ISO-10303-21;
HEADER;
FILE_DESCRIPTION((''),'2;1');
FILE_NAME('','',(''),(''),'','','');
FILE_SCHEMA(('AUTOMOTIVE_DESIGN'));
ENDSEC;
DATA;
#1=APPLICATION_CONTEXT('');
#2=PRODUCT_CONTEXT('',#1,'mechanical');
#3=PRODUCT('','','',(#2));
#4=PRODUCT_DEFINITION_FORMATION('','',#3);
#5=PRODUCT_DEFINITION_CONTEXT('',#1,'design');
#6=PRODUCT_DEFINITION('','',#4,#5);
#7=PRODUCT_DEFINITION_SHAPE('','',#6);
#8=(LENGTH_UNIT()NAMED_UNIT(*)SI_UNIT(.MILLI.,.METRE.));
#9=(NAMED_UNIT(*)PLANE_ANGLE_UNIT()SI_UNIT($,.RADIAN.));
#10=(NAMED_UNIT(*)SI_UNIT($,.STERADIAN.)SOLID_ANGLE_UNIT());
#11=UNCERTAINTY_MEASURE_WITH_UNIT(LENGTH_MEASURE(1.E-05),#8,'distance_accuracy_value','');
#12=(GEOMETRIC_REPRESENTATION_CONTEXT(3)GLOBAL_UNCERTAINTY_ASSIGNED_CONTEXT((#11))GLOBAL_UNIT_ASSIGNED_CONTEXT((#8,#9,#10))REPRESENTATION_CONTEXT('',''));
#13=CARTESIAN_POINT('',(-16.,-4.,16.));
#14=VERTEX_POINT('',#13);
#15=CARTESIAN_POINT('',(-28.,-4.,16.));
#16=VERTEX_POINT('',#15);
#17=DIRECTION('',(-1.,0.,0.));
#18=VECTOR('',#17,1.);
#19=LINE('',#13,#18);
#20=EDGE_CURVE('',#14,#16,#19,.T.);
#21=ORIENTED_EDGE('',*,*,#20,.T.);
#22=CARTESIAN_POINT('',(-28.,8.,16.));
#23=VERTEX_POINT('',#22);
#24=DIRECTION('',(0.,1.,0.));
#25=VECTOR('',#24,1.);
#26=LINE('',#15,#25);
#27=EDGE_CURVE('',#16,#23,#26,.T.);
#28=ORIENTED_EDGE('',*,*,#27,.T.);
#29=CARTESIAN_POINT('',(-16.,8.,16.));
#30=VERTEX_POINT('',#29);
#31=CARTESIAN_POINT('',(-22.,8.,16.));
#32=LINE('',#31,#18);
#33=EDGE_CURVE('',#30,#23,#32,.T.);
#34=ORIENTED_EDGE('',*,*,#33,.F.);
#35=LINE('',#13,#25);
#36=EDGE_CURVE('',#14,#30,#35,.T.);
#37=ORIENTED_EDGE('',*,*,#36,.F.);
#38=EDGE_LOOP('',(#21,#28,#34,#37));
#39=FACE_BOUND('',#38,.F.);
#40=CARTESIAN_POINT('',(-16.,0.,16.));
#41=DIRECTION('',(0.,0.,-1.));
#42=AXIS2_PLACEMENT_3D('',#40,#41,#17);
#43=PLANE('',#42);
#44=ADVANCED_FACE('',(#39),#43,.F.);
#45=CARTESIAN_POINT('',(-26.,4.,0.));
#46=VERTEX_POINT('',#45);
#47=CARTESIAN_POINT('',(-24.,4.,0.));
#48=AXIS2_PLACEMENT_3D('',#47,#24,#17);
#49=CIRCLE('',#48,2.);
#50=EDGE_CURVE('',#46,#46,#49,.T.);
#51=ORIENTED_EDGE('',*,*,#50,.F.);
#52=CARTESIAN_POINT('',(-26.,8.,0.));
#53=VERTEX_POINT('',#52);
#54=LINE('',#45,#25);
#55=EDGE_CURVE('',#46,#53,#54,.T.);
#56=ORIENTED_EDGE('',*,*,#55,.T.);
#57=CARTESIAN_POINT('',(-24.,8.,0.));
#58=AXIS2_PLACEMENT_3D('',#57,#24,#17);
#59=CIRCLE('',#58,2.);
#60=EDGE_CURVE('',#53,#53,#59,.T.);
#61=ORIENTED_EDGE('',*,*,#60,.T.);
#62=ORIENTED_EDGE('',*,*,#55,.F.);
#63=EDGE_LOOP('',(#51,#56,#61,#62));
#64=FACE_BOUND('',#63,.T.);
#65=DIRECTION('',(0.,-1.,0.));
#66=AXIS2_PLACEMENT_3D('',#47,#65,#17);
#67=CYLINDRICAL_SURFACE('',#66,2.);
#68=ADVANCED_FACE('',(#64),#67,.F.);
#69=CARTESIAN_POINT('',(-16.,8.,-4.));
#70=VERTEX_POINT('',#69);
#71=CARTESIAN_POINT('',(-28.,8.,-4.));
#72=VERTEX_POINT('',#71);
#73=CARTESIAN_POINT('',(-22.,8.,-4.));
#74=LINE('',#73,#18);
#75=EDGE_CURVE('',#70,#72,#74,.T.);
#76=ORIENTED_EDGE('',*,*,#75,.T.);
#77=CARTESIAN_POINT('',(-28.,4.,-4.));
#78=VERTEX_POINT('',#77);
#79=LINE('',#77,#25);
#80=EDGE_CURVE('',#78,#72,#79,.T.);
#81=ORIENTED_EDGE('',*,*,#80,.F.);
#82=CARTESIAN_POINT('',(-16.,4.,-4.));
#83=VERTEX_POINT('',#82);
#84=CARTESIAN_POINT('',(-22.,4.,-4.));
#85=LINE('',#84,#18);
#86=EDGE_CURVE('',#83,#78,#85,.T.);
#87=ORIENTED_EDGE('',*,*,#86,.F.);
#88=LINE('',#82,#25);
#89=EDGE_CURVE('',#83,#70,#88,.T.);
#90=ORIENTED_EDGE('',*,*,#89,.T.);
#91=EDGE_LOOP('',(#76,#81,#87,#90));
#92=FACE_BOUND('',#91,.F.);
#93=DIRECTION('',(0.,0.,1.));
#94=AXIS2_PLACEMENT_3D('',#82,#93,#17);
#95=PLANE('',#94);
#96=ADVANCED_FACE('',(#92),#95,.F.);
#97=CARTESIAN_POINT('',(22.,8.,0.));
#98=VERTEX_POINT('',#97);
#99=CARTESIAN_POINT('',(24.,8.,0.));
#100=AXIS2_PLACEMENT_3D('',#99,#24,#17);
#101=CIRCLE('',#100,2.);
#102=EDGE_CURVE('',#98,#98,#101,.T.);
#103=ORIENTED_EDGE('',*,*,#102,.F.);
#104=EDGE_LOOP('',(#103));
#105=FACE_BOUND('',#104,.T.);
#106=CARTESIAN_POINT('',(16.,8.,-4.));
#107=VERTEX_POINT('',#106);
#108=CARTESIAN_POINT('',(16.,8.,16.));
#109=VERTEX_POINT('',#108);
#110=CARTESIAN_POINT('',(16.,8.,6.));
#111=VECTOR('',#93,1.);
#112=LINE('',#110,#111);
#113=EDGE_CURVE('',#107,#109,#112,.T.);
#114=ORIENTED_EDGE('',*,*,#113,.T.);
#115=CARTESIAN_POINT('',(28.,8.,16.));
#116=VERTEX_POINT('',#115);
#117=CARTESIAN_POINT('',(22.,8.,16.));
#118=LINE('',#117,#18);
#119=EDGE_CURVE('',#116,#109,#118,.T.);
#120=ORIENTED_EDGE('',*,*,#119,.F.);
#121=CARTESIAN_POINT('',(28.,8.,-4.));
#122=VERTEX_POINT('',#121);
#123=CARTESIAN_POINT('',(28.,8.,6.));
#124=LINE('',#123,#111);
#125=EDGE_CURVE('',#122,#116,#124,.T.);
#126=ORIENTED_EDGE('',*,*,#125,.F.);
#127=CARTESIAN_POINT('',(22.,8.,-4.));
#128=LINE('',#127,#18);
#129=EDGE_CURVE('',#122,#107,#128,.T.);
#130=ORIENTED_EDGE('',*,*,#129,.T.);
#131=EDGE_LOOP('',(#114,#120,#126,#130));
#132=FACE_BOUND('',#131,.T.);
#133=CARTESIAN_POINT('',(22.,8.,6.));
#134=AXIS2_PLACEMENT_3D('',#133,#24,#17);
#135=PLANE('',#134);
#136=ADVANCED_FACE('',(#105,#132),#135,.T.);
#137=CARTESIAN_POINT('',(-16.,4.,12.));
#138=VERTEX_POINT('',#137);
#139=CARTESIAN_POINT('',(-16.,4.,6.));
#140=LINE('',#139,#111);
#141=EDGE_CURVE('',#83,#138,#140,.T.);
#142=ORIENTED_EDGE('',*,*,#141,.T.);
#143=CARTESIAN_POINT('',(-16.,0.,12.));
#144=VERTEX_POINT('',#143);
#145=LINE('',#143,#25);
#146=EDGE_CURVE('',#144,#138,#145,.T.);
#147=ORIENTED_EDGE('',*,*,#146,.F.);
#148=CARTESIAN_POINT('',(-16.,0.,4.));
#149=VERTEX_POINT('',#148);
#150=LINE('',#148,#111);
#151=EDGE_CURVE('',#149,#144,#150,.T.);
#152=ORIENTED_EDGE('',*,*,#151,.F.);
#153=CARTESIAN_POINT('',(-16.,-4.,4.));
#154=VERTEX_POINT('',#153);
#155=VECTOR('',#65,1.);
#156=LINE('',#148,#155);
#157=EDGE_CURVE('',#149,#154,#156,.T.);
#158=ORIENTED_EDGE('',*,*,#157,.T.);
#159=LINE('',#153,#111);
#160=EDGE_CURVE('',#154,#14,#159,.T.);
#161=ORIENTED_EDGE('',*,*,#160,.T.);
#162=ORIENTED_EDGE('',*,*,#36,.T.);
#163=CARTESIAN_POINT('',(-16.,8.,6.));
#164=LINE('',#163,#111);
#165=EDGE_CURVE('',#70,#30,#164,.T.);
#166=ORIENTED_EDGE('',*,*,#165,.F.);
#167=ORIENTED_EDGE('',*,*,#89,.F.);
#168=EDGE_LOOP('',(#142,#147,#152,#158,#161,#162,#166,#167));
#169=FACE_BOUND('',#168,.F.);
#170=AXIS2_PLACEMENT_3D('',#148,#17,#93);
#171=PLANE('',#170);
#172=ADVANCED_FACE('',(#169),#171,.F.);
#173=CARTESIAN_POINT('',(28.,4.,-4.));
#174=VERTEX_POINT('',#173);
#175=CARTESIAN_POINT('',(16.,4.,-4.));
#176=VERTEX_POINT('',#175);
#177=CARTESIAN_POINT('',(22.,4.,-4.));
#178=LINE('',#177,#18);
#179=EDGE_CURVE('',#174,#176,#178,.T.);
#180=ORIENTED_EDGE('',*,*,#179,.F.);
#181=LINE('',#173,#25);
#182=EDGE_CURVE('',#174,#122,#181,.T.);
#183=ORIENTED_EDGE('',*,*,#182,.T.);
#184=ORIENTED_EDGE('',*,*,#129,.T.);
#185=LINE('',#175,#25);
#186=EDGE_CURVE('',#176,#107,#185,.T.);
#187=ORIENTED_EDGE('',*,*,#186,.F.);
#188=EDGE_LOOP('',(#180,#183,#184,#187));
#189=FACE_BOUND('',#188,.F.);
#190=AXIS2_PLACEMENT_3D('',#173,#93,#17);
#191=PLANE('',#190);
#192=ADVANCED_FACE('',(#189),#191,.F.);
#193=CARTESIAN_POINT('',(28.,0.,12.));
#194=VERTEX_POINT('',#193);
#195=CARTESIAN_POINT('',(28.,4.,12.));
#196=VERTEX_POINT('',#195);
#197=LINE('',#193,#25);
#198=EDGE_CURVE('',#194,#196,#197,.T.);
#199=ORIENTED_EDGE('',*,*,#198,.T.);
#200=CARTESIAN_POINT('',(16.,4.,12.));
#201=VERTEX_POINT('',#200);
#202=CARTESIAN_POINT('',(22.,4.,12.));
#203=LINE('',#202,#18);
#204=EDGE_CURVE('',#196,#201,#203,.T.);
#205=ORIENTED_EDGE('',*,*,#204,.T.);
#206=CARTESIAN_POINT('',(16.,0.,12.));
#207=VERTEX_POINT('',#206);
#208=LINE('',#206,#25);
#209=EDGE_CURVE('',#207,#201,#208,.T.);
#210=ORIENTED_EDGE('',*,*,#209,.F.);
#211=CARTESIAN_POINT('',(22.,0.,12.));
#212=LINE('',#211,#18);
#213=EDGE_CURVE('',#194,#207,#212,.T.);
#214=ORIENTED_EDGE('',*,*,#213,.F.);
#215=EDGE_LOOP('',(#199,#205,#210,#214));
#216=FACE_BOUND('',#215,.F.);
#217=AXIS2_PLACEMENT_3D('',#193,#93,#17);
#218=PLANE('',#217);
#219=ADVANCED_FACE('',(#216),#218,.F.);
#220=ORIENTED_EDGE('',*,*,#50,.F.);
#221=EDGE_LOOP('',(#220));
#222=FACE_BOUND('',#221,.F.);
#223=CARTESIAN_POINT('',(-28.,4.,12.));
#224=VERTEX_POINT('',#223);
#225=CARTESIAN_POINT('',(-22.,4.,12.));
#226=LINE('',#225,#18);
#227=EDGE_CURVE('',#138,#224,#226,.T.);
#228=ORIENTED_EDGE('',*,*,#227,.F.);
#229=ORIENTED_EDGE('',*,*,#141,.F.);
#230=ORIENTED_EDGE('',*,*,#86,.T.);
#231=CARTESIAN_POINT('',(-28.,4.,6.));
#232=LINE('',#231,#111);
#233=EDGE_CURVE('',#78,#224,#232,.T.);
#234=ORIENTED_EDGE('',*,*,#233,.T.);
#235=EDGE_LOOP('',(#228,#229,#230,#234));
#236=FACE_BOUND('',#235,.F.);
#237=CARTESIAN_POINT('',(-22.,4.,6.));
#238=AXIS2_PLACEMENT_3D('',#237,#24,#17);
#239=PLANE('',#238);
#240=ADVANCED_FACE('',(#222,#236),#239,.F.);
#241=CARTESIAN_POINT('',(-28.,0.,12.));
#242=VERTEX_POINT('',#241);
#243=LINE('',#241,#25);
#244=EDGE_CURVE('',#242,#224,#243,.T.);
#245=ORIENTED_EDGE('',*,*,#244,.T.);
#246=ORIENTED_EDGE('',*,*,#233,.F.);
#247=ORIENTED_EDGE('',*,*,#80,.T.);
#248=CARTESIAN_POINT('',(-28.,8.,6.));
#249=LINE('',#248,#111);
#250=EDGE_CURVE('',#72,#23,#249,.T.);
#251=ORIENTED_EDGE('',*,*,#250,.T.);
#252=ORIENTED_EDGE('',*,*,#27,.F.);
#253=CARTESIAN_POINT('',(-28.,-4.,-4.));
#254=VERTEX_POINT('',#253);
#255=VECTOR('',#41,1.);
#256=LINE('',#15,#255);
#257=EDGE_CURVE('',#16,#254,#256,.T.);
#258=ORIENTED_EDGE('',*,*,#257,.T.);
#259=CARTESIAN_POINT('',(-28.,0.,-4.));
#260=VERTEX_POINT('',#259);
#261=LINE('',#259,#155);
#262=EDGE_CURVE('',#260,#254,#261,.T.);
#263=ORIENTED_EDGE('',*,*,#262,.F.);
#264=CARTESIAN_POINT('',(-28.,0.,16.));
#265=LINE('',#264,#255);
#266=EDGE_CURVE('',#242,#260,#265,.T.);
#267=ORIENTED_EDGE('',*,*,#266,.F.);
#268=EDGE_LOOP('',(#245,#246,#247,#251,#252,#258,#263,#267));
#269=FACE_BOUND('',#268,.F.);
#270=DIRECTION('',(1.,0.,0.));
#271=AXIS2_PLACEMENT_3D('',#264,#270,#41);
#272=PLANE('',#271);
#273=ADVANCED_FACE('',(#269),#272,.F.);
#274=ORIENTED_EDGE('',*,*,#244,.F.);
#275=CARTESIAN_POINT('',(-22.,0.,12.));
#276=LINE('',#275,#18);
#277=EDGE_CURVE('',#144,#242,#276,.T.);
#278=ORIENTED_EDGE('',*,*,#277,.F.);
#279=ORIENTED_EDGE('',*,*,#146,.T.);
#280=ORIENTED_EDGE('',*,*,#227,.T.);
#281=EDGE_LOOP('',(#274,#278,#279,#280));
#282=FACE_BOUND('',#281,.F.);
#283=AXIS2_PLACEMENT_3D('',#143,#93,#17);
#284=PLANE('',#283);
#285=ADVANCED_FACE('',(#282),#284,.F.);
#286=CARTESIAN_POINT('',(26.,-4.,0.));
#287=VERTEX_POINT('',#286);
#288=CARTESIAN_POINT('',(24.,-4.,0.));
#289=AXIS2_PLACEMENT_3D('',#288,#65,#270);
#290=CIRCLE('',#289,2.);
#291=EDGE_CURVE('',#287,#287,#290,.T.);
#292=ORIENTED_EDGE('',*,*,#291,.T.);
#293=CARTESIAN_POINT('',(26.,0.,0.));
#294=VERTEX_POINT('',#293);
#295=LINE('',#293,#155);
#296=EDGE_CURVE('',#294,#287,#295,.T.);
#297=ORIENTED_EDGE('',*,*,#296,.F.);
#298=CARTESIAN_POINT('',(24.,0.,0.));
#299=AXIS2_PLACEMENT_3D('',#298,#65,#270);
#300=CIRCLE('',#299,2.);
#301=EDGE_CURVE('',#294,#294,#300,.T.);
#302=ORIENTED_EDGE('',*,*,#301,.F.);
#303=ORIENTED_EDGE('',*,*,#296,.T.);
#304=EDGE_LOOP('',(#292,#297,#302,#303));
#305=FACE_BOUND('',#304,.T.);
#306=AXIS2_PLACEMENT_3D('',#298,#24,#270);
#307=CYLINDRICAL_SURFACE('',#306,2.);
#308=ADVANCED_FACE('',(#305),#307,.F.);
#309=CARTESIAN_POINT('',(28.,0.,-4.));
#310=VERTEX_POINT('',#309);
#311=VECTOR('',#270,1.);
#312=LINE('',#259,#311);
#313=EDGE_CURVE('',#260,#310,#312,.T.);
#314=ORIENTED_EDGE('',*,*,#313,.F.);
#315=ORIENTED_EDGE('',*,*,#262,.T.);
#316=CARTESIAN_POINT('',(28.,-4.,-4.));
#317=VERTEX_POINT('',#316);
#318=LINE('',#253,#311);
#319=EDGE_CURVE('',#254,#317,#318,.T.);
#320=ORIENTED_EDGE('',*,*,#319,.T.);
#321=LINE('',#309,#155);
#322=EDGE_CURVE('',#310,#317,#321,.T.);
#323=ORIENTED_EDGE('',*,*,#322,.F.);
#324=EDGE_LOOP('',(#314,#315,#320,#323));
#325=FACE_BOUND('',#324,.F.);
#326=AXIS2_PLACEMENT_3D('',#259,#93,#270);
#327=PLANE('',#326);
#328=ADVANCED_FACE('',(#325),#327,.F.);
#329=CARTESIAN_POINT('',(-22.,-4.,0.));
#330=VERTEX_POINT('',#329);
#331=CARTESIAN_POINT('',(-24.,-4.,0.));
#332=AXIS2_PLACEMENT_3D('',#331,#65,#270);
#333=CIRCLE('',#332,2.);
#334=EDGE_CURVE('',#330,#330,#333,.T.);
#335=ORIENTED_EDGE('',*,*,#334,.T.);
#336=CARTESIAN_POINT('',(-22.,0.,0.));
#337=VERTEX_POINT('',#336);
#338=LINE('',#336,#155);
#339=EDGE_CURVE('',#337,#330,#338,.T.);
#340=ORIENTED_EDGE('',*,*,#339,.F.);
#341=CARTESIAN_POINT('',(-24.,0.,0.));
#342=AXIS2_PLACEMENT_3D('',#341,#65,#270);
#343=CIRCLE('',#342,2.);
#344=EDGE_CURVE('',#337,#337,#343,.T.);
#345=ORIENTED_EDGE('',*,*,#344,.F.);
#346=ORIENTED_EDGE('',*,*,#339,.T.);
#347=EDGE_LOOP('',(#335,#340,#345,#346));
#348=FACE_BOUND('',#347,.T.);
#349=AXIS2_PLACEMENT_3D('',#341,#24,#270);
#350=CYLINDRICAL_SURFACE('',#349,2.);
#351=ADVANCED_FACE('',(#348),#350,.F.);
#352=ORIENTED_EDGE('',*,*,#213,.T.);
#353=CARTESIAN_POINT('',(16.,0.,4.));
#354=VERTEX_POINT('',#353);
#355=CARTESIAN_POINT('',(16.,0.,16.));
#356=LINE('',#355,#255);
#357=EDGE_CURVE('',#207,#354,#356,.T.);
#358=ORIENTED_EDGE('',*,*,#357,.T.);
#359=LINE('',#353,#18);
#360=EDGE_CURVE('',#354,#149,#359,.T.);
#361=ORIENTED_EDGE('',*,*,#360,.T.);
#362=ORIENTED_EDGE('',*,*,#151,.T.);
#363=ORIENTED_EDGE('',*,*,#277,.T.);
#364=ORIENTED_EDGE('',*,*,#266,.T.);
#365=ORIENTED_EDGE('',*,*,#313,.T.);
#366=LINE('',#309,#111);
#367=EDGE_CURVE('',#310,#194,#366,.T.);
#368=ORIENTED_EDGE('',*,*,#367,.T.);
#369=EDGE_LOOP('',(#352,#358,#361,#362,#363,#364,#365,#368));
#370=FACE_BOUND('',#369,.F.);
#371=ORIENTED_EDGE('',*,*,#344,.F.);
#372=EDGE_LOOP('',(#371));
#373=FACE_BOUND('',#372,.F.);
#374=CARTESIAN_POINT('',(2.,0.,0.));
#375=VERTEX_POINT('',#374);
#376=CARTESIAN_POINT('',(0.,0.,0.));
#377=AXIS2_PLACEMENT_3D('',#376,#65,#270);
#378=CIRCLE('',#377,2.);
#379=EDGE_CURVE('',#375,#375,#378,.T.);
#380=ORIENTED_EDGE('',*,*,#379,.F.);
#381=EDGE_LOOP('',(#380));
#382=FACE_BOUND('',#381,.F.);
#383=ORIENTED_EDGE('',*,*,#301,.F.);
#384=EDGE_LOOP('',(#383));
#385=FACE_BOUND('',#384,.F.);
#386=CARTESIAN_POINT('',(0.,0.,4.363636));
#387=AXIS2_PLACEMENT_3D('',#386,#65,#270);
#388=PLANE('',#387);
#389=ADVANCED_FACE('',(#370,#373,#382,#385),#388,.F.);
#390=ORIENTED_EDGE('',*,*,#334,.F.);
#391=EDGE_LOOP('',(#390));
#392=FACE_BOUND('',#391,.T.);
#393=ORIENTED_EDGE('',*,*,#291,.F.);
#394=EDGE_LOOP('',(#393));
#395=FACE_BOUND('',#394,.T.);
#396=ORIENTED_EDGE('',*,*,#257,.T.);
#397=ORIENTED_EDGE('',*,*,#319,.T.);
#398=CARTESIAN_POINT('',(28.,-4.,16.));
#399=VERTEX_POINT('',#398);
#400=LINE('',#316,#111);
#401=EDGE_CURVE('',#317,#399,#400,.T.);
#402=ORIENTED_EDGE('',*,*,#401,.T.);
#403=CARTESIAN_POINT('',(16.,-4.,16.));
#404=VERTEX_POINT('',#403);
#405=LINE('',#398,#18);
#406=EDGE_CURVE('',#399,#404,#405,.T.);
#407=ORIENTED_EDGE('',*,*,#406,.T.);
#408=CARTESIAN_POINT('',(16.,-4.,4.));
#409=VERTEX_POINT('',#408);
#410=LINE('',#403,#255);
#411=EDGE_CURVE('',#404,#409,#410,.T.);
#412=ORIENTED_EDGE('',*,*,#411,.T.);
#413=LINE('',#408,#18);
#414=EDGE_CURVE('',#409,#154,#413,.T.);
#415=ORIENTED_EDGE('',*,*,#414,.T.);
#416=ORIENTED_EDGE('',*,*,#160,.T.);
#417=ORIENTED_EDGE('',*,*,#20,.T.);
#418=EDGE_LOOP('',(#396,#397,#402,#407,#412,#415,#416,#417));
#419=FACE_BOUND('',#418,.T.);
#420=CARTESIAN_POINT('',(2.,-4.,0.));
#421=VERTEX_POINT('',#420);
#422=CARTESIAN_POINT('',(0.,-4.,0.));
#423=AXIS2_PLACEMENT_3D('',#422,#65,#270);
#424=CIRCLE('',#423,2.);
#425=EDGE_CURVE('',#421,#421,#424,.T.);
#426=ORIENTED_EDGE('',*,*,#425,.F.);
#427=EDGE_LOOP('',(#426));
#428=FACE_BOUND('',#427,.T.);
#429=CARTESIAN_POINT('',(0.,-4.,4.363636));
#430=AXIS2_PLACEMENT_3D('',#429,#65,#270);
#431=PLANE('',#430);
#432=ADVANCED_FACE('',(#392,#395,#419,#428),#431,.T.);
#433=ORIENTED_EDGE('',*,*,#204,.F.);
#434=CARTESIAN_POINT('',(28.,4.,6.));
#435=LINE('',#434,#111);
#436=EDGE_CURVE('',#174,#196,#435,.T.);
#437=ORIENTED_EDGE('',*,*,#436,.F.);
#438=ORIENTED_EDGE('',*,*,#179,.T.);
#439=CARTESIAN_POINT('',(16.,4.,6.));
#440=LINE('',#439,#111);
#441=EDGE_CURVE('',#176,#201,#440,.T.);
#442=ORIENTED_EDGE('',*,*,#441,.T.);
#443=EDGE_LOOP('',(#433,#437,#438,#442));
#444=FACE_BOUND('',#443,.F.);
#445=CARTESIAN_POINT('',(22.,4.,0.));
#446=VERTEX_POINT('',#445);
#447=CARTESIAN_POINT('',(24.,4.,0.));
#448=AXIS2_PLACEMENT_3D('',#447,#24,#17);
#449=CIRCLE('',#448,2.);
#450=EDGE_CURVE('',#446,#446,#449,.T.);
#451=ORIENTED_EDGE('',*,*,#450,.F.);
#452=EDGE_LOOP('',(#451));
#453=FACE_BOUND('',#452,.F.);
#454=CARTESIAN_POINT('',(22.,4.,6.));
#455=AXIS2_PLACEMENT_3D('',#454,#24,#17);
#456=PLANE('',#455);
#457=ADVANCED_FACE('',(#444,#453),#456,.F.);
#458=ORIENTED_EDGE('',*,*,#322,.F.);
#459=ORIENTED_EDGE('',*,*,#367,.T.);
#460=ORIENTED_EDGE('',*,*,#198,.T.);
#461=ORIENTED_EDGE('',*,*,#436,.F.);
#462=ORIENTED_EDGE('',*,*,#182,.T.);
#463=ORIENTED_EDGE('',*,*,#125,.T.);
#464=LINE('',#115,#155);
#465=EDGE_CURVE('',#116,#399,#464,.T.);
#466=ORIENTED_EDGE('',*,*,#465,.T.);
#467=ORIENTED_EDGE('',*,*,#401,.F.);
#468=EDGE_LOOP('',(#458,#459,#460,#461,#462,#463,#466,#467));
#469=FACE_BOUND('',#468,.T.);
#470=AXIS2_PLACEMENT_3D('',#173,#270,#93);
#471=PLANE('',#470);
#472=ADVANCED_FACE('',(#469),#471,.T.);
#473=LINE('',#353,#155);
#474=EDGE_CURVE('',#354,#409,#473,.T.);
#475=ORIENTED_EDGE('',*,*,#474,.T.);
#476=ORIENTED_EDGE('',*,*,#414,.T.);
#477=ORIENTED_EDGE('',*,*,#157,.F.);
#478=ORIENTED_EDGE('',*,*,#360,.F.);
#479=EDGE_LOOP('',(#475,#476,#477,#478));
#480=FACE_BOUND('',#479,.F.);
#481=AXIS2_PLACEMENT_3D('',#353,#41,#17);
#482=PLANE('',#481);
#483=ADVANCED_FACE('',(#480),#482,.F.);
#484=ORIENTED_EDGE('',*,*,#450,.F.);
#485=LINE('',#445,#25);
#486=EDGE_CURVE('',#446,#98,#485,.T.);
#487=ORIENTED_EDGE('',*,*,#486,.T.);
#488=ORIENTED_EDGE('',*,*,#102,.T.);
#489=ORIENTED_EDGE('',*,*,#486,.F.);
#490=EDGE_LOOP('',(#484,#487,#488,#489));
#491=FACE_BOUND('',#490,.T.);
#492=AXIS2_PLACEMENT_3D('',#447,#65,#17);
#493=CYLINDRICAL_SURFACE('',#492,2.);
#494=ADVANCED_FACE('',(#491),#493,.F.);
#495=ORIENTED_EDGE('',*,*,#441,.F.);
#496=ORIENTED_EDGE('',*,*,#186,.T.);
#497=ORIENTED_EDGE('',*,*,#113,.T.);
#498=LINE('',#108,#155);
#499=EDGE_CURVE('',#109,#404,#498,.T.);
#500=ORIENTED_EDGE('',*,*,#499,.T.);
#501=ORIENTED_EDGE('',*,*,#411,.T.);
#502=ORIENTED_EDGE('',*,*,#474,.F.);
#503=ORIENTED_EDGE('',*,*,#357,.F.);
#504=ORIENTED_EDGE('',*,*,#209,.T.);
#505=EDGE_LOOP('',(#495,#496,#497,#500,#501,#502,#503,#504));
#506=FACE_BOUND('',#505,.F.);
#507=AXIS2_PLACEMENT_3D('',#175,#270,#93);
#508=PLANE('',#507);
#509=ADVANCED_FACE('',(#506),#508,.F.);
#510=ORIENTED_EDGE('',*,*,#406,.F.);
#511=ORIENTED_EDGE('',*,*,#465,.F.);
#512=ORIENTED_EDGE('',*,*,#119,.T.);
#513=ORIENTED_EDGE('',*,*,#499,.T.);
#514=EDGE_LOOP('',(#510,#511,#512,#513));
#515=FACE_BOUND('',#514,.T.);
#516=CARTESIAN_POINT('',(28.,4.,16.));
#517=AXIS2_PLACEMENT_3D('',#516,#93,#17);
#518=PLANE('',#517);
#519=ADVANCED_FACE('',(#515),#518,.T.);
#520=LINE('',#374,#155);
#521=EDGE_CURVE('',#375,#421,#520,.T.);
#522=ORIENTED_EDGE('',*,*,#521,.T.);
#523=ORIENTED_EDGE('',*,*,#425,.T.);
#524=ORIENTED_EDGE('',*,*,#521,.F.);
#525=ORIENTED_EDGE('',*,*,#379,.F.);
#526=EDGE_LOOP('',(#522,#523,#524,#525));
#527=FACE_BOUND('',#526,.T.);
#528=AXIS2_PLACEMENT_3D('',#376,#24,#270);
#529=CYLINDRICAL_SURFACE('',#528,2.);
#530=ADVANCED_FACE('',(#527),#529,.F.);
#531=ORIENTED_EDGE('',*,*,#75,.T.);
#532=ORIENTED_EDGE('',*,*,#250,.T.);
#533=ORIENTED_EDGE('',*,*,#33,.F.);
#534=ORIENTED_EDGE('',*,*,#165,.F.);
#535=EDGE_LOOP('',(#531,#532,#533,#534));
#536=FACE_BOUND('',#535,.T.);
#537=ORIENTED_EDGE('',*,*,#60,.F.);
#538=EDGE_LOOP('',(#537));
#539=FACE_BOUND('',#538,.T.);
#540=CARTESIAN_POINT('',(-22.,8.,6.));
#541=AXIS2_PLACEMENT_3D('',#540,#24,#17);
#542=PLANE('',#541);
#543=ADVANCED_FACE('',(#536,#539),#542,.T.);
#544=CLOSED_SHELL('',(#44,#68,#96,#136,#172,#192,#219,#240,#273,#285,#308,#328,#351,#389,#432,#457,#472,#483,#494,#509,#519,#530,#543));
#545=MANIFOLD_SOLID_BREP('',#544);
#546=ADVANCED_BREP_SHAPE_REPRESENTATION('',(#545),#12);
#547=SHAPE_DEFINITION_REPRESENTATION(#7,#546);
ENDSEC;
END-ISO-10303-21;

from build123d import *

# Parameters (mm, degrees)
F0_R     = 2
F1_DEPTH = 4
F2_W     = 12
F2_H     = 4
F3_DEPTH = 4
F4_W     = 12
F4_H     = 20
F4_R     = 2
F5_DEPTH = 4


with BuildPart() as f1:
    # F0 (on Front) → F1 (new body)
    with BuildSketch(Plane.XZ):
        Polygon((-28, -4), (28, -4), (28, 4), (28, 16), (16, 16), (16, 4), (-16, 4), (-16, 16), (-28, 16), (-28, 4), align=None)
        with Locations((-24, 0)):
            Circle(F0_R, mode=Mode.SUBTRACT)
        Circle(F0_R, mode=Mode.SUBTRACT)
        with Locations((24, 0)):
            Circle(F0_R, mode=Mode.SUBTRACT)
    extrude(amount=F1_DEPTH)

    # F2 (on face) → F3 (join)
    with BuildSketch(Plane(origin=(0, 0, 0), x_dir=(-1, 0, 0), z_dir=(0, 1, 0))):
        with Locations((-22, 14)):
            Rectangle(F2_W, F2_H)
        with Locations((22, 14)):
            Rectangle(F2_W, F2_H)
    extrude(amount=F3_DEPTH)

    # F4 (on face) → F5 (join)
    with BuildSketch(Plane(origin=(0, 4, 0), x_dir=(-1, 0, 0), z_dir=(0, 1, 0))):
        with Locations((-22, 6)):
            Rectangle(F4_W, F4_H)
        with Locations((-24, 0)):
            Circle(F4_R, mode=Mode.SUBTRACT)
        with Locations((22, 6)):
            Rectangle(F4_W, F4_H)
        with Locations((24, 0)):
            Circle(F4_R, mode=Mode.SUBTRACT)
    extrude(amount=F5_DEPTH)


solid = f1.part
